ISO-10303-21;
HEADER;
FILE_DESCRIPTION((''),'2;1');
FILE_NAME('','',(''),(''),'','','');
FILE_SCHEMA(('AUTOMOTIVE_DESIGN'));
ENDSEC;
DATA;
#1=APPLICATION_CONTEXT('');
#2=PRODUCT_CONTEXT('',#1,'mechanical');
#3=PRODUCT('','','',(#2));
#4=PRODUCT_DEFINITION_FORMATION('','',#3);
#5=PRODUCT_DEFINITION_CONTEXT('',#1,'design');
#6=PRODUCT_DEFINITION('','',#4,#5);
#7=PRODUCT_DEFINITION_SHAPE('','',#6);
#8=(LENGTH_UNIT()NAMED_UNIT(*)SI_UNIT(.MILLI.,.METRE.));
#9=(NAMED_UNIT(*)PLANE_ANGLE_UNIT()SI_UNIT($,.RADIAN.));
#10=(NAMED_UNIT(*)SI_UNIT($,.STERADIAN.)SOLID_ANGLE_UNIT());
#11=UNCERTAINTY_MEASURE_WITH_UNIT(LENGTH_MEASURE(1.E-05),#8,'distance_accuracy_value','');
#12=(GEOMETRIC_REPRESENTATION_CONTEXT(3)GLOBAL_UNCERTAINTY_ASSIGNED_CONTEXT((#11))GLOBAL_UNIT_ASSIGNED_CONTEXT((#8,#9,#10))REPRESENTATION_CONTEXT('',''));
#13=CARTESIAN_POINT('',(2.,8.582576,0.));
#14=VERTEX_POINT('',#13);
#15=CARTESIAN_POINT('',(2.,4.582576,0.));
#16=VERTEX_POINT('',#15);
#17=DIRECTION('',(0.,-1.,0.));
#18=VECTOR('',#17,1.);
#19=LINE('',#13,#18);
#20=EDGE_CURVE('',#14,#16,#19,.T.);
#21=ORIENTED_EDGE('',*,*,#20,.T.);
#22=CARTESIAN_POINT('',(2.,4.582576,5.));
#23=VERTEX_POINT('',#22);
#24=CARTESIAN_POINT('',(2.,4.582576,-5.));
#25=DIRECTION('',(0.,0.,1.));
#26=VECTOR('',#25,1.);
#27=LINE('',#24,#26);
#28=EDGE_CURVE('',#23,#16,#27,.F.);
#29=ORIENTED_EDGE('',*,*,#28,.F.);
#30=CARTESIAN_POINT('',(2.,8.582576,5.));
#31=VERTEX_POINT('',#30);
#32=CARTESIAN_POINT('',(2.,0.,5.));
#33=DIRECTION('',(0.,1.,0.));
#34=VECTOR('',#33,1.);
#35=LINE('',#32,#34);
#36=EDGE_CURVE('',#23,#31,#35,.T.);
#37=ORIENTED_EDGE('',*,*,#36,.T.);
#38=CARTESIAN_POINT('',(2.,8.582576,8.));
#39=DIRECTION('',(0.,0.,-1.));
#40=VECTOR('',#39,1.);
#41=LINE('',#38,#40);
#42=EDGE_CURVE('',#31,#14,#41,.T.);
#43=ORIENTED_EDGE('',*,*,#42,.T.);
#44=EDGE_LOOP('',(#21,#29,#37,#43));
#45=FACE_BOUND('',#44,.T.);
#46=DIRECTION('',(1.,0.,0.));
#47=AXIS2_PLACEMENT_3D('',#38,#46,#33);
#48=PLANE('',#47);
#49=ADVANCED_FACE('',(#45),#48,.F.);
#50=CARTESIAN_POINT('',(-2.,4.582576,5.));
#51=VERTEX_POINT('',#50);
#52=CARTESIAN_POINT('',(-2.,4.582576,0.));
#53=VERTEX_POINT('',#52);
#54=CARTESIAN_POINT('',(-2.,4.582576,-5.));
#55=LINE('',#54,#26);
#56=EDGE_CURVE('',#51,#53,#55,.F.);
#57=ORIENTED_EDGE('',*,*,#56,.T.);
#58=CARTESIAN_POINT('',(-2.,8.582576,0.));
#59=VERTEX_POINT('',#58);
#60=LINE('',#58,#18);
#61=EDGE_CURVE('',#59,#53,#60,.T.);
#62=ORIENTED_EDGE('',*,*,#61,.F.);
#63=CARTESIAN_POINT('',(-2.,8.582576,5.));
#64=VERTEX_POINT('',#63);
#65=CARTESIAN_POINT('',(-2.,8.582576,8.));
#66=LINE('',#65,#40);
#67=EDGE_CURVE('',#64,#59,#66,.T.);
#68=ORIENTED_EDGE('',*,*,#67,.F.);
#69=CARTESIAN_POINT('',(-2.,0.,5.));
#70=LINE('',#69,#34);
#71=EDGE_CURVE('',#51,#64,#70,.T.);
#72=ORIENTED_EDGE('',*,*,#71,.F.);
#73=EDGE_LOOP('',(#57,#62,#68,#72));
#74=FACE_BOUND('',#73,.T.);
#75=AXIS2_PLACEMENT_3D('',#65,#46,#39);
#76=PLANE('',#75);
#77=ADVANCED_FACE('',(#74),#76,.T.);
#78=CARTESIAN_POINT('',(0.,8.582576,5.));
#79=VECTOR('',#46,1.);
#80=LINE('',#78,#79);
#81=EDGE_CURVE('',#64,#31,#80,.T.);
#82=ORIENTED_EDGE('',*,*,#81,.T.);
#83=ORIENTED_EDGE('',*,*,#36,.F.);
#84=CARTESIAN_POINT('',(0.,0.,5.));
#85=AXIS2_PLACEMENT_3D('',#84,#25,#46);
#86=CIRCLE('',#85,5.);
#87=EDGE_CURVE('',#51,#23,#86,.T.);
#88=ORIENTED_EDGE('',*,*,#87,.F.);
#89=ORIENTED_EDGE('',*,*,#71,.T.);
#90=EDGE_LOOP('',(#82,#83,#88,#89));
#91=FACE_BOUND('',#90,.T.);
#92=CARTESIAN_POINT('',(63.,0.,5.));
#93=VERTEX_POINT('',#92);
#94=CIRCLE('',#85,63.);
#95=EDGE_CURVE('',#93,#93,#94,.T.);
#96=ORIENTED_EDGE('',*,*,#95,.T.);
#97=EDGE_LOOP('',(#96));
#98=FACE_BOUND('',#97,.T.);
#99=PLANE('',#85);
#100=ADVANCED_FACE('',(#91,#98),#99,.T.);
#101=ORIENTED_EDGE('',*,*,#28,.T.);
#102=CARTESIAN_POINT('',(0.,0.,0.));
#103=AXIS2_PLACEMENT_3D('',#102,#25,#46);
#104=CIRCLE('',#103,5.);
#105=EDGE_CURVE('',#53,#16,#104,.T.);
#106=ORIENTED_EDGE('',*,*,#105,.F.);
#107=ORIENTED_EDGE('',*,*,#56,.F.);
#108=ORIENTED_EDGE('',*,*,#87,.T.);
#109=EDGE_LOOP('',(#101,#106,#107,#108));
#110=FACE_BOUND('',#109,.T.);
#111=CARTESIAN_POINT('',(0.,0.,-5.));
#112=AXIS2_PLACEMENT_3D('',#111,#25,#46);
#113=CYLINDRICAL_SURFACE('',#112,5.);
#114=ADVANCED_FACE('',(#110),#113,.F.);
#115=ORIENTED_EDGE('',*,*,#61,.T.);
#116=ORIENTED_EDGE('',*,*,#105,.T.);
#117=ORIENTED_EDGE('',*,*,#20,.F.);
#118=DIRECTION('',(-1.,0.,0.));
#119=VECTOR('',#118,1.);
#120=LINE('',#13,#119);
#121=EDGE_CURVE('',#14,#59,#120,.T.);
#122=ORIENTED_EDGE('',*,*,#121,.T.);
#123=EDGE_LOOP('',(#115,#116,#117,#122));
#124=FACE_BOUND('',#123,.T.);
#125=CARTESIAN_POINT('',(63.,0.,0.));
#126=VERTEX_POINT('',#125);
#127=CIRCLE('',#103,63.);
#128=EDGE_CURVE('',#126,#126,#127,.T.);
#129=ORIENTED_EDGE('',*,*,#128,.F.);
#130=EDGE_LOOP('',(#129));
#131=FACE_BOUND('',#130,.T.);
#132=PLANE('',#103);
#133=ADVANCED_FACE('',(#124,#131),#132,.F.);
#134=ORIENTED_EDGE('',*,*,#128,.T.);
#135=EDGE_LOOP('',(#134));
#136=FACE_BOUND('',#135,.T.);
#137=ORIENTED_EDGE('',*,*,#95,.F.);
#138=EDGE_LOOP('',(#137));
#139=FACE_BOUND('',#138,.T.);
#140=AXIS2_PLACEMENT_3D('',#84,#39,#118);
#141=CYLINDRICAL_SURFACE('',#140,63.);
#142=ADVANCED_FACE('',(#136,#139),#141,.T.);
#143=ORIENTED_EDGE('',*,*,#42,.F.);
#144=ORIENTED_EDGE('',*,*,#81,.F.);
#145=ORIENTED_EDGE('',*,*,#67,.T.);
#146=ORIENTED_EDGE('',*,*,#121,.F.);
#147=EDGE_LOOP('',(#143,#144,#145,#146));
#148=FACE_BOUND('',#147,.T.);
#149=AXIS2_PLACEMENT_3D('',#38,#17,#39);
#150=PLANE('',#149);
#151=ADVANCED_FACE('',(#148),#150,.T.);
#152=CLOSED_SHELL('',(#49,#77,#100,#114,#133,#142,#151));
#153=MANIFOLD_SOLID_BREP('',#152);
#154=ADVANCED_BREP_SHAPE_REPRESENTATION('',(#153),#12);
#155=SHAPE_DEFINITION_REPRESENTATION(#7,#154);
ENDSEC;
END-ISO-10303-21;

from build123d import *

# Parameters (mm, degrees)
IZIM1_R                     = 63
Y_KSEKLIK_EKSTR_ZYON1_DEPTH = 5
IZIM2_R                     = 5
KES_EKSTR_ZYON1_DEPTH       = 10
IZIM3_W                     = 4
IZIM3_H                     = 4
KES_EKSTR_ZYON2_DEPTH       = 8


with BuildPart() as part:
    # Çizim1 → Yükseklik-Ekstrüzyon1 (new body)
    with BuildSketch(Plane.XY):
        Circle(IZIM1_R)
    extrude(amount=Y_KSEKLIK_EKSTR_ZYON1_DEPTH)

    # Çizim2 → Kes-Ekstrüzyon1 (cut)
    with BuildSketch(Plane.XY.offset(5)):
        Circle(IZIM2_R)
    extrude(amount=-KES_EKSTR_ZYON1_DEPTH, mode=Mode.SUBTRACT)

    # Çizim3 → Kes-Ekstrüzyon2 (cut)
    with BuildSketch(Plane(origin=(0, 0, 0), x_dir=(-1, 0, 0), z_dir=(0, 0, -1))):
        with Locations((0, 6.582575695)):
            Rectangle(IZIM3_W, IZIM3_H)
    extrude(amount=-KES_EKSTR_ZYON2_DEPTH, mode=Mode.SUBTRACT)


solid = part.part
